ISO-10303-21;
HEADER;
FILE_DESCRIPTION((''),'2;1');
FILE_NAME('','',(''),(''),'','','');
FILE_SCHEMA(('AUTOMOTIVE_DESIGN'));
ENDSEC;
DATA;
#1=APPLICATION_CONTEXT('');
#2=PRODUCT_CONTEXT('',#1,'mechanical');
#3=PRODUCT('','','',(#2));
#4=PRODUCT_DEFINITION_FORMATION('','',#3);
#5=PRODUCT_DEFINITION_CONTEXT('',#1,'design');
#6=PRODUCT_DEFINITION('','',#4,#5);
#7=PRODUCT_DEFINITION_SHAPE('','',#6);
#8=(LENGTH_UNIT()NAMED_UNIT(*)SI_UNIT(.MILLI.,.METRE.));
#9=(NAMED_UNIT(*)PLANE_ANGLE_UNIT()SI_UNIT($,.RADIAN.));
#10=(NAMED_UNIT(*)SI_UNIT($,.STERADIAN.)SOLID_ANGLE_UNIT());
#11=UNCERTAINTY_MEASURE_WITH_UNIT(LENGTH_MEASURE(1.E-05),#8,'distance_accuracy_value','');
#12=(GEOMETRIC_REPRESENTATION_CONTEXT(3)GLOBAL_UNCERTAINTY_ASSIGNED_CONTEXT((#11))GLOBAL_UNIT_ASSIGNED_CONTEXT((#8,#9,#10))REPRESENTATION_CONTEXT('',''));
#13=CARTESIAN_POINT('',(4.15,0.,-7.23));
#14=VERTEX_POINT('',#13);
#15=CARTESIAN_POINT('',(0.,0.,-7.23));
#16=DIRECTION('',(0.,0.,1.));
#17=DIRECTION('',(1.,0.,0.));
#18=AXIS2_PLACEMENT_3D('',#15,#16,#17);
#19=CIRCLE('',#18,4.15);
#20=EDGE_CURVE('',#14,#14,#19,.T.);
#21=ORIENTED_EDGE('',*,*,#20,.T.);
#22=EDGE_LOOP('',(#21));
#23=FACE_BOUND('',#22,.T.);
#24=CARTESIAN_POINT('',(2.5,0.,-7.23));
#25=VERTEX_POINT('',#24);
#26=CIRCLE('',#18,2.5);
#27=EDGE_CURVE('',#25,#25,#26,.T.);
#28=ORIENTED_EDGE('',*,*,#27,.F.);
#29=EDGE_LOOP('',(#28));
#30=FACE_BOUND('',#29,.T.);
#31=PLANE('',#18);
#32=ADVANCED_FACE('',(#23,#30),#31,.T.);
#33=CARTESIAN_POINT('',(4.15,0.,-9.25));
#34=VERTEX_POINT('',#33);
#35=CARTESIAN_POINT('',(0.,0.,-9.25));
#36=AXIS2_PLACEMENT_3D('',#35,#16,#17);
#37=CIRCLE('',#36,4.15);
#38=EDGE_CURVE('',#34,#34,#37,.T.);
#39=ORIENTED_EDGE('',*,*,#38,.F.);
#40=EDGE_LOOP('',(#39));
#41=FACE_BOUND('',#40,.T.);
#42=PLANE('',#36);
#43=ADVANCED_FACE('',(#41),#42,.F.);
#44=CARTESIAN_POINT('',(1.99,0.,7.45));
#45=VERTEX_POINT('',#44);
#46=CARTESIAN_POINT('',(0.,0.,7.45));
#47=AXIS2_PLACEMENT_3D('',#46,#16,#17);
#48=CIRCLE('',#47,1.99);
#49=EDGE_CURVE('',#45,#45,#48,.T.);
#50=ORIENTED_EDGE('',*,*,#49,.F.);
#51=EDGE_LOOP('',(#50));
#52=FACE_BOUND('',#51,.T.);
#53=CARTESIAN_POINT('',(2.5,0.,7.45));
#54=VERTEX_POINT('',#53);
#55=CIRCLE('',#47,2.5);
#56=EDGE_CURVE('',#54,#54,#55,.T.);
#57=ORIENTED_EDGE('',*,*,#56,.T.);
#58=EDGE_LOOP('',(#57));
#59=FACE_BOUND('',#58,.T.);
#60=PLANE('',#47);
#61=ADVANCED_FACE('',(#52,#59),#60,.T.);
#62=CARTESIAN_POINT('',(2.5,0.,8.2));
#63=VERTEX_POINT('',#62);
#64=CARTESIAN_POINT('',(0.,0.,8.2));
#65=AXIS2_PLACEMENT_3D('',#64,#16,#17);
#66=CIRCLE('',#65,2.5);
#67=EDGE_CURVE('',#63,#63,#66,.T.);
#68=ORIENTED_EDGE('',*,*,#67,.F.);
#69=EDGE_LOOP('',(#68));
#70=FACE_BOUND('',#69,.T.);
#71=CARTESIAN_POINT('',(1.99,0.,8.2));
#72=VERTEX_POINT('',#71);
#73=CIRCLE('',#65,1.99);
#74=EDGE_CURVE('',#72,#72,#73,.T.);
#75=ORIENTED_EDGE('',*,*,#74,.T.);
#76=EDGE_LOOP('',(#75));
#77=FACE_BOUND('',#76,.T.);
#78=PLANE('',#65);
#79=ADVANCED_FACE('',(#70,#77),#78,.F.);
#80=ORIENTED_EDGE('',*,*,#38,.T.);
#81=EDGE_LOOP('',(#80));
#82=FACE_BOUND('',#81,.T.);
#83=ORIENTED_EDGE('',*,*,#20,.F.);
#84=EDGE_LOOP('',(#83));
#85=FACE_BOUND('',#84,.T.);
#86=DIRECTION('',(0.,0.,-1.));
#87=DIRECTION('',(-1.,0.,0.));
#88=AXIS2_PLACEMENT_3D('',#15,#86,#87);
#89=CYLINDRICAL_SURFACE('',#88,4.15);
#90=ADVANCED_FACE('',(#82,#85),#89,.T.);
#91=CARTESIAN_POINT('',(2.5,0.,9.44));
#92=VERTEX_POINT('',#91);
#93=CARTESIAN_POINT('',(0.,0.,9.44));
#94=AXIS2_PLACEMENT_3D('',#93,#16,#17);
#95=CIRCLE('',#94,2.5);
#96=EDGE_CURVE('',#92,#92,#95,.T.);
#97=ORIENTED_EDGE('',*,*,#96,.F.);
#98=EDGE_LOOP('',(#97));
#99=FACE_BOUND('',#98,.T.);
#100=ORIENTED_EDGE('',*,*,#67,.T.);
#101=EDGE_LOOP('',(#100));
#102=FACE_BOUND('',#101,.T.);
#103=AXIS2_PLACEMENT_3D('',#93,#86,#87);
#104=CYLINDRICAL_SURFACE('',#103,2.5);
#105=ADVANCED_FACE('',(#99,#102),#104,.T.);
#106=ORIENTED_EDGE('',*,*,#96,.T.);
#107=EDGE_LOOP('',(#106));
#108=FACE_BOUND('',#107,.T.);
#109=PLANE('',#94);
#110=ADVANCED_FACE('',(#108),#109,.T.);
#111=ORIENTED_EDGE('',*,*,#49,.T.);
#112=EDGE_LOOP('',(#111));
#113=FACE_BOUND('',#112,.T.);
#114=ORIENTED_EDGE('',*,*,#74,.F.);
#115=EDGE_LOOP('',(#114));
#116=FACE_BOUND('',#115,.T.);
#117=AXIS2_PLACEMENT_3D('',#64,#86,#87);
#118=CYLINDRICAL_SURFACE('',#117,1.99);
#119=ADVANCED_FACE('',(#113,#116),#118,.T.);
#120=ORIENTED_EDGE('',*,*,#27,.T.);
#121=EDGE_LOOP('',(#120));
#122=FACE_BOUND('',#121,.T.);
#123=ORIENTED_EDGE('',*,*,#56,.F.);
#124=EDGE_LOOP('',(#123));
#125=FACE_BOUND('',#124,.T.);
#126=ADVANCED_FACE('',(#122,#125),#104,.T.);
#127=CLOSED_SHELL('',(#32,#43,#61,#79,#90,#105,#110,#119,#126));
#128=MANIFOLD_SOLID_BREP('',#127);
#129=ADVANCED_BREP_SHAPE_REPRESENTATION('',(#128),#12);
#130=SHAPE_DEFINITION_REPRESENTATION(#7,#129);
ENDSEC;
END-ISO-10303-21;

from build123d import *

# Parameters (mm, degrees)
F_01_START                           = -7.23
S01_SMOOTH_PIN_AND_END_MARGIN_R      = 2.5
F_01_SMOOTH_PIN_AND_END_MARGIN_DEPTH = 16.67
F_02_START                           = -9.25
S02_CLEVIS_PIN_HEAD_R                = 4.15
F_02_CLEVIS_PIN_HEAD_DEPTH           = 2.02
F_03_START                           = 7.45
S03_DE_4_RETAINING_GROOVE_R          = 2.6
S03_DE_4_RETAINING_GROOVE_R_2        = 1.99
F_03_DE_4_RETAINING_GROOVE_DEPTH     = 0.75


with BuildPart() as part:
    # S01 - Smooth pin and end margin → 01 - Smooth pin and end margin (new body)
    with BuildSketch(Plane.XY.offset(F_01_START)):
        Circle(S01_SMOOTH_PIN_AND_END_MARGIN_R)
    extrude(amount=F_01_SMOOTH_PIN_AND_END_MARGIN_DEPTH)

    # S02 - Clevis pin head → 02 - Clevis pin head (add)
    with BuildSketch(Plane.XY.offset(F_02_START)):
        Circle(S02_CLEVIS_PIN_HEAD_R)
    extrude(amount=F_02_CLEVIS_PIN_HEAD_DEPTH)

    # S03 - DE-4 retaining groove → 03 - DE-4 retaining groove (cut)
    with BuildSketch(Plane.XY.offset(F_03_START)):
        Circle(S03_DE_4_RETAINING_GROOVE_R)
        Circle(S03_DE_4_RETAINING_GROOVE_R_2, mode=Mode.SUBTRACT)
    extrude(amount=F_03_DE_4_RETAINING_GROOVE_DEPTH, mode=Mode.SUBTRACT)


solid = part.part
